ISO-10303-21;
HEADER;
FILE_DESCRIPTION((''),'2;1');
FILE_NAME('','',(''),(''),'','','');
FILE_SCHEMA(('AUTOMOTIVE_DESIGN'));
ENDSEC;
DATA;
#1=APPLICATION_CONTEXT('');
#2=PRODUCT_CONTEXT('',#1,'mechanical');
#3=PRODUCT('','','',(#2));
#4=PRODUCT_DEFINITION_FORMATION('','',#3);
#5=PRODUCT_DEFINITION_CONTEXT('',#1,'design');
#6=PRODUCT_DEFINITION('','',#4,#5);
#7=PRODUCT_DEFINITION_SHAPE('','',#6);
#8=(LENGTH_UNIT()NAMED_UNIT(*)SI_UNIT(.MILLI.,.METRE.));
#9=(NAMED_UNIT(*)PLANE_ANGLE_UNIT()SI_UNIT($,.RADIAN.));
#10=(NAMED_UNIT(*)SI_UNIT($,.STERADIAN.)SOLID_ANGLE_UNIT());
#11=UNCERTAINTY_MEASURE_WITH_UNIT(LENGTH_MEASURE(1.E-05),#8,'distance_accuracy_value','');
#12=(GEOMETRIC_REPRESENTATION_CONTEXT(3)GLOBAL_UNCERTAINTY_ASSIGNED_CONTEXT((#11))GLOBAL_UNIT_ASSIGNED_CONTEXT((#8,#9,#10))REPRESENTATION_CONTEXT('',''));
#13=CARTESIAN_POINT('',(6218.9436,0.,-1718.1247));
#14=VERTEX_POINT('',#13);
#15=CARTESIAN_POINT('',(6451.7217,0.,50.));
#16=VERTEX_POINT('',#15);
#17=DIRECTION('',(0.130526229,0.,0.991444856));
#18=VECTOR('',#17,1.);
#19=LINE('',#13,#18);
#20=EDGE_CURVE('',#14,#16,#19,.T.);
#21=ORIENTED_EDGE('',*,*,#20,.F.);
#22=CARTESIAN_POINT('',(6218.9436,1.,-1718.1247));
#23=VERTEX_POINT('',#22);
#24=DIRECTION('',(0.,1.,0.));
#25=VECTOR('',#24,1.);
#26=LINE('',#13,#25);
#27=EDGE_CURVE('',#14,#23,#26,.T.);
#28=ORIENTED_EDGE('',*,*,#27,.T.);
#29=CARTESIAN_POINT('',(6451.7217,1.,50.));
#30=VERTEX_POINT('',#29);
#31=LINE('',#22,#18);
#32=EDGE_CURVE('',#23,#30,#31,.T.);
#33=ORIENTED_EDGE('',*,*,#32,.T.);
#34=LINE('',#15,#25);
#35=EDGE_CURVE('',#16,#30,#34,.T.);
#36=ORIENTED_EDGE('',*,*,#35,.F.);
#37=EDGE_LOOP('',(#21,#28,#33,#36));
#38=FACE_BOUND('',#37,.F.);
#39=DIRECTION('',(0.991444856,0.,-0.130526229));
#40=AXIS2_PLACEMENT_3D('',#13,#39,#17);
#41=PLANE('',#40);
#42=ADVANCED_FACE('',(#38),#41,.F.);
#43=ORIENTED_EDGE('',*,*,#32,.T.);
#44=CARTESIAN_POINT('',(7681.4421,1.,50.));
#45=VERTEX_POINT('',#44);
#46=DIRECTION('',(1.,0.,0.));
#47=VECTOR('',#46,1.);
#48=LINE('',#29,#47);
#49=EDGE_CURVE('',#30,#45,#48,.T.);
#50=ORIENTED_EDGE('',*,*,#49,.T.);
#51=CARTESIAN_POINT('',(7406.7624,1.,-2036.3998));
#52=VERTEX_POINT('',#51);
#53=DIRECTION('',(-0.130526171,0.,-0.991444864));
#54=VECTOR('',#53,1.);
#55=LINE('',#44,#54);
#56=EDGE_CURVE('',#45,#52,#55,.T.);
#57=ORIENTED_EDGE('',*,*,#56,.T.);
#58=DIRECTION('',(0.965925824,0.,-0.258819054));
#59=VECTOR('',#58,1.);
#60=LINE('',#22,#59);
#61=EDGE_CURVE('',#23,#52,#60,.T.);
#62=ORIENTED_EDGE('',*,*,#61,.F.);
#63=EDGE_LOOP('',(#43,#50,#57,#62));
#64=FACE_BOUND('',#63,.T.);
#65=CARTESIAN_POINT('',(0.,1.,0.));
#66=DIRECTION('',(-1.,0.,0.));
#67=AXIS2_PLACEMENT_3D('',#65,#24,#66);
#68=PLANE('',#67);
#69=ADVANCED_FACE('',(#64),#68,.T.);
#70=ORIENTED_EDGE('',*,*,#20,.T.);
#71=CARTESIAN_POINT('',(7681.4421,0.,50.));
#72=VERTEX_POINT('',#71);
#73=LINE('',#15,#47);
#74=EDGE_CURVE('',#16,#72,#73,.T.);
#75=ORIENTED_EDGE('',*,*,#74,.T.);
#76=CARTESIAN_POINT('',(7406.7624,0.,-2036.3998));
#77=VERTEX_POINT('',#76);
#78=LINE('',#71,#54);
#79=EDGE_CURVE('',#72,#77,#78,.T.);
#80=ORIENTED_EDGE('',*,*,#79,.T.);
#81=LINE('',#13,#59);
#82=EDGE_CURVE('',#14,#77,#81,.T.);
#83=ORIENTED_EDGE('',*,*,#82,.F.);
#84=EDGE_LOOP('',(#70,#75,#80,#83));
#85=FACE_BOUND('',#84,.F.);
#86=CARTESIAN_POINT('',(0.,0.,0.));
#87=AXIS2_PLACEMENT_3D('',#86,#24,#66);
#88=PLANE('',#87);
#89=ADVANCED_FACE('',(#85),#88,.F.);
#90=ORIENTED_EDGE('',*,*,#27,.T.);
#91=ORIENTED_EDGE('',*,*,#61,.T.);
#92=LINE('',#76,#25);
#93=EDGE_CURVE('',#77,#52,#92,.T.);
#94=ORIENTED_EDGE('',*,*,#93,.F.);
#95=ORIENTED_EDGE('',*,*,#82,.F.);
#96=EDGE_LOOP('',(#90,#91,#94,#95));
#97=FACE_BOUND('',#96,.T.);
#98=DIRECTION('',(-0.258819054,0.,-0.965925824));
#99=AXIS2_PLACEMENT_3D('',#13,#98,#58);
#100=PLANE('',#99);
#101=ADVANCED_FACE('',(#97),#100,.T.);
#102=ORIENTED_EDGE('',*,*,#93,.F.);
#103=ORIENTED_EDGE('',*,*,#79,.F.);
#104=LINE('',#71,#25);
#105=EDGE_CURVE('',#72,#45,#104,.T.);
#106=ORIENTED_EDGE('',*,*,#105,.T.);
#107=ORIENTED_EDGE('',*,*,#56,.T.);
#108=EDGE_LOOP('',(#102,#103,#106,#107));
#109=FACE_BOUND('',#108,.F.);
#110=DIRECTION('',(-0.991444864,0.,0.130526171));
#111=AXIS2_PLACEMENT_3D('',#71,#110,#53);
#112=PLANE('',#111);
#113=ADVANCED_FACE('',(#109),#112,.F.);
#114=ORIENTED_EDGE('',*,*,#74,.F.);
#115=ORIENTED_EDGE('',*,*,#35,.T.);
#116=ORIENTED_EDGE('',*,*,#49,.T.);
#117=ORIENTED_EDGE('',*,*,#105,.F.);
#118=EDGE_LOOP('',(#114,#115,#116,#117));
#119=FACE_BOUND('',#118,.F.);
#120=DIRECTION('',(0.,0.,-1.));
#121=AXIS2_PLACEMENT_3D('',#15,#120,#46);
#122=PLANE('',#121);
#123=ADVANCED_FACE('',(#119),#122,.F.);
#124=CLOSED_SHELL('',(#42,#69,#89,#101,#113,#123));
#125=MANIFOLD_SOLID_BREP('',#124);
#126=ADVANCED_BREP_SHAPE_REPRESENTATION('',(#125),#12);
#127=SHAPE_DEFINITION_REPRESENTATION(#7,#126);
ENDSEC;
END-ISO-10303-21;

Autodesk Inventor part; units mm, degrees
ref_plane "YZ Plane" through (0, 0, 0) normal (1, 0, 0) x (0, 1, 0)
ref_plane "XZ Plane" through (0, 0, 0) normal (0, 1, 0) x (-1, 0, 0)
ref_plane "XY Plane" through (0, 0, 0) normal (0, 0, 1) x (1, 0, 0)
sketch "Sketch1" plane through (0, 0, 0) normal (0, 1, 0) x (-1, 0, 0)
  line L0 (0, 0) -> (-8000, 0) construction
  line L1 (0, 0) -> (-7727.4066, -2070.5524) construction
  line L2 (0, 0) -> (8000, 0) construction
  line L3 (0, 0) -> (-6335.3327, -834.0624) construction
  line L4 (0, 0) -> (6390, 0) construction
  line L5 (-7681.4421, 50) -> (-7406.7624, -2036.3998)
  line L6 (-6218.9436, -1718.1247) -> (-6451.7217, 50)
  line L7 (-6218.9436, -1718.1247) -> (-7406.7624, -2036.3998)
  line L8 (-6451.7217, 50) -> (-7681.4421, 50)
  dimension "d0" = 8000
  dimension "d1" = 8000
  dimension "d2" = 165
  dimension "d3" = 6390
  dimension "d4" = 172.5
  dimension "d7" = 50
  dimension "d8" = 50
extrude "Extrusion1" add sketch "Sketch1" along normal blind 1
properties part number "panelEflat"
